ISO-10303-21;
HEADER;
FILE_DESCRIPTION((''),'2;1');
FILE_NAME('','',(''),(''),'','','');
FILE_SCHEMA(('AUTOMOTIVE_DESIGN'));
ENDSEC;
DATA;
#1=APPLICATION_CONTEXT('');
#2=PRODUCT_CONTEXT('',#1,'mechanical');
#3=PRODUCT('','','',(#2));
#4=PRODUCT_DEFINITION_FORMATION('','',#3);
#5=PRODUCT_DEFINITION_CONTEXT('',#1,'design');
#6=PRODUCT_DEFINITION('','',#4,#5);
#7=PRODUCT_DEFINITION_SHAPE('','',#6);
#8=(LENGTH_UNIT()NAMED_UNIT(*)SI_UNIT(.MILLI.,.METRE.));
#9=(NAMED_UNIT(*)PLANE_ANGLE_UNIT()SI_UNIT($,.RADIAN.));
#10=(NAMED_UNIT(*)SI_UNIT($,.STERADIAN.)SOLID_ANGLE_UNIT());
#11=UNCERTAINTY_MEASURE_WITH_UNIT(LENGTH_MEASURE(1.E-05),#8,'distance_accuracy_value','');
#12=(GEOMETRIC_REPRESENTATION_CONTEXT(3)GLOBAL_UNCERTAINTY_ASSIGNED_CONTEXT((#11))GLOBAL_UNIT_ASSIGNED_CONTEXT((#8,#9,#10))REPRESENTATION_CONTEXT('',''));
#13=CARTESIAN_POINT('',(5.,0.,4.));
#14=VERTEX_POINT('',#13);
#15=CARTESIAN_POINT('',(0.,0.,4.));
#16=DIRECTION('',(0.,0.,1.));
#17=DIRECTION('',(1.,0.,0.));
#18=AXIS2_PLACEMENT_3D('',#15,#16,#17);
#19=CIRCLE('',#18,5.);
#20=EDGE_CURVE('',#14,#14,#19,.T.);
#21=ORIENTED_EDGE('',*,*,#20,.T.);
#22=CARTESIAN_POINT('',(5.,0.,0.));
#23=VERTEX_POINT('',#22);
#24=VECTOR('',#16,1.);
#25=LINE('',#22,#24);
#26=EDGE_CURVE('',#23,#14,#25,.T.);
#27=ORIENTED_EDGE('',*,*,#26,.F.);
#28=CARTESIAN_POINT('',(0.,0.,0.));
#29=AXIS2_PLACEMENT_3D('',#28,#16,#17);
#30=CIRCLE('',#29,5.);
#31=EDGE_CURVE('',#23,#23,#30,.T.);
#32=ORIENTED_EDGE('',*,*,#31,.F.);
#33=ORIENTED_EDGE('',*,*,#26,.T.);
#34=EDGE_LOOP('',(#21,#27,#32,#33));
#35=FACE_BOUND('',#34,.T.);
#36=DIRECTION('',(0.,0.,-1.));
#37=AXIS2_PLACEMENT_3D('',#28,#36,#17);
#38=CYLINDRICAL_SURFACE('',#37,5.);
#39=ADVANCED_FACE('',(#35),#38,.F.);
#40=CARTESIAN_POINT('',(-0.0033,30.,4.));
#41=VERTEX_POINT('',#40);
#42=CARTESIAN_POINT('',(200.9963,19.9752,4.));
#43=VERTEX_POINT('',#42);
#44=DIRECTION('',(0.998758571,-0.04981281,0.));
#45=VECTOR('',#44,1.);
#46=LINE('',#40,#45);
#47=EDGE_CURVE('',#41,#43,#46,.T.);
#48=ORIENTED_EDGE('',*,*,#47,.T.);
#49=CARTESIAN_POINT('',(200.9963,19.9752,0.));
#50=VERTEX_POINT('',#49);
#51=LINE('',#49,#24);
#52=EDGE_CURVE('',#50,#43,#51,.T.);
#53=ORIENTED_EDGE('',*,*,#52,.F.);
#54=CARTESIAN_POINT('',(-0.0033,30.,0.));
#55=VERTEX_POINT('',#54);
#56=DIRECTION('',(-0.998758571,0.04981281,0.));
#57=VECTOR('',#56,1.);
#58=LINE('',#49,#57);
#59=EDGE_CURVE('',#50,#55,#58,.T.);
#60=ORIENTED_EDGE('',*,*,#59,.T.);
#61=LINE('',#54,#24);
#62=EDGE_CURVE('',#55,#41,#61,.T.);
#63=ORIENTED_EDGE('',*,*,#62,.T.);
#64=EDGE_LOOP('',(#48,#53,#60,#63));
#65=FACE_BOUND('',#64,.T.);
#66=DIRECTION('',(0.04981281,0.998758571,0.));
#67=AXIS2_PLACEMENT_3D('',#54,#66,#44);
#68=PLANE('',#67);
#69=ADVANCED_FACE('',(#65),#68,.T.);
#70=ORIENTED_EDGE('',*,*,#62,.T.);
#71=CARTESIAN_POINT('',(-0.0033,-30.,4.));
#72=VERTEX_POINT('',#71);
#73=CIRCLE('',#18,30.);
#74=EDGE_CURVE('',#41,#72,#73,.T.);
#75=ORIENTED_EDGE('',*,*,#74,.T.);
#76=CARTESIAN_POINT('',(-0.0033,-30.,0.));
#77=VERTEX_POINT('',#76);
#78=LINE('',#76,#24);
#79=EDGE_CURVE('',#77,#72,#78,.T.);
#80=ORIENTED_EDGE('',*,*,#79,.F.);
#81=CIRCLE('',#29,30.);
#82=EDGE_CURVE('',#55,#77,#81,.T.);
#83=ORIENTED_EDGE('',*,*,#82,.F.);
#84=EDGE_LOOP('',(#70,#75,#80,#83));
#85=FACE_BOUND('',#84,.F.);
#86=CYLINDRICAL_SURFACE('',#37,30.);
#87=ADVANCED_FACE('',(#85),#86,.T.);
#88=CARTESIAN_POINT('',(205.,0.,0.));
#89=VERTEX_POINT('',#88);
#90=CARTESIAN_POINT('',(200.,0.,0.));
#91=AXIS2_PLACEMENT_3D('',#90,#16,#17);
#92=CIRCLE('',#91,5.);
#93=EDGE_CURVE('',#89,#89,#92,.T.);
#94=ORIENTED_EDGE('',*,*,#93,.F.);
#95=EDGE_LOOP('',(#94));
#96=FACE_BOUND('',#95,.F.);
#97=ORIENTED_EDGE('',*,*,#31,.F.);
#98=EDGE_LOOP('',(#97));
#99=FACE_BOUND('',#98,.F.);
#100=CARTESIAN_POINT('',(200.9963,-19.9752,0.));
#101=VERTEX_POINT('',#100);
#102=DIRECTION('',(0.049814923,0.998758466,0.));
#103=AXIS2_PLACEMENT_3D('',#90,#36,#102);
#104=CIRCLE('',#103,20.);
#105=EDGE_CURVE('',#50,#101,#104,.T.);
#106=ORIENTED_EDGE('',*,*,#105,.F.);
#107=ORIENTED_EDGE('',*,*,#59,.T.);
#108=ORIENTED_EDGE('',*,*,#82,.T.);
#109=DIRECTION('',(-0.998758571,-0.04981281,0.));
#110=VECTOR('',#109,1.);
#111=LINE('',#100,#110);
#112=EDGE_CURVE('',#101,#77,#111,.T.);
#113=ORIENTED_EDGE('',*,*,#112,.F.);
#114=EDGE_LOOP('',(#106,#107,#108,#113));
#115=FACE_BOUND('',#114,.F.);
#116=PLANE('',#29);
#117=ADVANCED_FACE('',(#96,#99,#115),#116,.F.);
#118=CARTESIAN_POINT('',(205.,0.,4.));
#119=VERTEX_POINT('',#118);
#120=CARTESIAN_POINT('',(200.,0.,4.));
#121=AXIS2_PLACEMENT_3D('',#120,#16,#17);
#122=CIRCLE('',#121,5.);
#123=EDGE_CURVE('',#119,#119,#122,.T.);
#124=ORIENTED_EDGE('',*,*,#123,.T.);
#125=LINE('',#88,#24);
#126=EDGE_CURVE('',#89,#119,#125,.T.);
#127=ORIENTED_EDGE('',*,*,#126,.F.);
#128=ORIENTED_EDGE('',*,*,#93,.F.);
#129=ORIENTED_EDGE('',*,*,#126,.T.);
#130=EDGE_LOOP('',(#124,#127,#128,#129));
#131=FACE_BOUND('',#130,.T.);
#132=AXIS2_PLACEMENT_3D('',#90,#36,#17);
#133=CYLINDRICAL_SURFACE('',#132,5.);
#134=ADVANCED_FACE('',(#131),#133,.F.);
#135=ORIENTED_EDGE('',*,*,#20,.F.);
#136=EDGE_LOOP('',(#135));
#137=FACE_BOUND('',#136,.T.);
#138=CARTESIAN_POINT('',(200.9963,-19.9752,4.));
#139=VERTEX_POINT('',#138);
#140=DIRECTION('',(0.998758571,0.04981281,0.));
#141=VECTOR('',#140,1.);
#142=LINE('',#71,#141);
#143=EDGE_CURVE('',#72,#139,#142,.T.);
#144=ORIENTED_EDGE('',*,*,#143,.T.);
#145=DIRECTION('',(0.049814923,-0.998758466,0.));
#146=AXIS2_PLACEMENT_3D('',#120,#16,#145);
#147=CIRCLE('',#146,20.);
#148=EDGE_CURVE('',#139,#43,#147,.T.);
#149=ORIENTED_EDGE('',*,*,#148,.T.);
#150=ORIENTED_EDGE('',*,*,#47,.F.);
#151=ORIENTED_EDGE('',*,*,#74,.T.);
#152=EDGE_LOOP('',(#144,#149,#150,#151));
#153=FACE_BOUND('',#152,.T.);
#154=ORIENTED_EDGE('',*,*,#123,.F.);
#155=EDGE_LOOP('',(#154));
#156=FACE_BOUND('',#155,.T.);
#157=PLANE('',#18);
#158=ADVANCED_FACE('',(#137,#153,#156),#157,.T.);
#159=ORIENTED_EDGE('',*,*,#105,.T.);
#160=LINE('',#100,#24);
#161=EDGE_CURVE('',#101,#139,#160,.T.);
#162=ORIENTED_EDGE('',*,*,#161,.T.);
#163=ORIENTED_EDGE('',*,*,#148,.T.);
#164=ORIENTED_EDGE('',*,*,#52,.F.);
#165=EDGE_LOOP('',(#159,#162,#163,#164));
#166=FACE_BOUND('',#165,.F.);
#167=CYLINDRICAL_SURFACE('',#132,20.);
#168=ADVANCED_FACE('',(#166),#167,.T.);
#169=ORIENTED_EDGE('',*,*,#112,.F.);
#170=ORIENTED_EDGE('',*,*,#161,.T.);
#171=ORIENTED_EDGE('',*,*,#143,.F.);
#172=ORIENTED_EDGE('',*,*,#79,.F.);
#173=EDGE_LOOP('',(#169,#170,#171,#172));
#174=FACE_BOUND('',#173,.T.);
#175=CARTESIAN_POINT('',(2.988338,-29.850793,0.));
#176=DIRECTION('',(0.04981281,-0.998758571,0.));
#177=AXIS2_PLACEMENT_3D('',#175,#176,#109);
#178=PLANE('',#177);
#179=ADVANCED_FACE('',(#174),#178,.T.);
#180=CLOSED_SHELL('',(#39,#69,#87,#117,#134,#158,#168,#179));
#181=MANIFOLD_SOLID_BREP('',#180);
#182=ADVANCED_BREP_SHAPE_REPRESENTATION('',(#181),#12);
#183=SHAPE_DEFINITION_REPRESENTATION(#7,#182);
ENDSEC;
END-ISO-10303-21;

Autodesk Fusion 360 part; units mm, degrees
sketch "Boceto1" plane through (0, 0, 0) normal (0, 0, 1) x (1, 0, 0)
  circle A0 centre (0, 0) radius 30
  circle A1 centre (200, 0) radius 20
  line L0 (-0.0033, 30) -> (200.9963, 19.9752)
  line L1 (200.9963, -19.9752) -> (-0.0033, -30)
  circle A2 centre (0, 0) radius 5
  circle A3 centre (200, 0) radius 5
extrude "Extruir1" add sketch "Boceto1" along normal blind 4 contours A0 L0 L1 | A0 A1 L0 L1 | A1
sketch "Boceto2" plane through (0, 0, 4) normal (0, 0, 1) x (-1, 0, 0)
  circle A0 centre (-200, 0) radius 5
  circle A1 centre (0, 0) radius 5
  arc A2 (0.0033, -30) -> (0.0033, 30) centre (0, 0) ccw
  line L0 (0.0033, 30) -> (-200.9963, 19.9752)
  arc A3 (-200.9963, 19.9752) -> (-200.9963, -19.9752) centre (-200, 0) ccw
  line L1 (-200.9963, -19.9752) -> (0.0033, -30)
  line L2 (0, 0) -> (-40, 0)
  line L3 (-40, 0) -> (-80, 0)
  line L4 (-80, 0) -> (-120, 0)
  line L5 (-120, 0) -> (-160, 0)
  line L6 (-160, 0) -> (-200, 0)
  line L7 (0, 0) -> (15, 0)
